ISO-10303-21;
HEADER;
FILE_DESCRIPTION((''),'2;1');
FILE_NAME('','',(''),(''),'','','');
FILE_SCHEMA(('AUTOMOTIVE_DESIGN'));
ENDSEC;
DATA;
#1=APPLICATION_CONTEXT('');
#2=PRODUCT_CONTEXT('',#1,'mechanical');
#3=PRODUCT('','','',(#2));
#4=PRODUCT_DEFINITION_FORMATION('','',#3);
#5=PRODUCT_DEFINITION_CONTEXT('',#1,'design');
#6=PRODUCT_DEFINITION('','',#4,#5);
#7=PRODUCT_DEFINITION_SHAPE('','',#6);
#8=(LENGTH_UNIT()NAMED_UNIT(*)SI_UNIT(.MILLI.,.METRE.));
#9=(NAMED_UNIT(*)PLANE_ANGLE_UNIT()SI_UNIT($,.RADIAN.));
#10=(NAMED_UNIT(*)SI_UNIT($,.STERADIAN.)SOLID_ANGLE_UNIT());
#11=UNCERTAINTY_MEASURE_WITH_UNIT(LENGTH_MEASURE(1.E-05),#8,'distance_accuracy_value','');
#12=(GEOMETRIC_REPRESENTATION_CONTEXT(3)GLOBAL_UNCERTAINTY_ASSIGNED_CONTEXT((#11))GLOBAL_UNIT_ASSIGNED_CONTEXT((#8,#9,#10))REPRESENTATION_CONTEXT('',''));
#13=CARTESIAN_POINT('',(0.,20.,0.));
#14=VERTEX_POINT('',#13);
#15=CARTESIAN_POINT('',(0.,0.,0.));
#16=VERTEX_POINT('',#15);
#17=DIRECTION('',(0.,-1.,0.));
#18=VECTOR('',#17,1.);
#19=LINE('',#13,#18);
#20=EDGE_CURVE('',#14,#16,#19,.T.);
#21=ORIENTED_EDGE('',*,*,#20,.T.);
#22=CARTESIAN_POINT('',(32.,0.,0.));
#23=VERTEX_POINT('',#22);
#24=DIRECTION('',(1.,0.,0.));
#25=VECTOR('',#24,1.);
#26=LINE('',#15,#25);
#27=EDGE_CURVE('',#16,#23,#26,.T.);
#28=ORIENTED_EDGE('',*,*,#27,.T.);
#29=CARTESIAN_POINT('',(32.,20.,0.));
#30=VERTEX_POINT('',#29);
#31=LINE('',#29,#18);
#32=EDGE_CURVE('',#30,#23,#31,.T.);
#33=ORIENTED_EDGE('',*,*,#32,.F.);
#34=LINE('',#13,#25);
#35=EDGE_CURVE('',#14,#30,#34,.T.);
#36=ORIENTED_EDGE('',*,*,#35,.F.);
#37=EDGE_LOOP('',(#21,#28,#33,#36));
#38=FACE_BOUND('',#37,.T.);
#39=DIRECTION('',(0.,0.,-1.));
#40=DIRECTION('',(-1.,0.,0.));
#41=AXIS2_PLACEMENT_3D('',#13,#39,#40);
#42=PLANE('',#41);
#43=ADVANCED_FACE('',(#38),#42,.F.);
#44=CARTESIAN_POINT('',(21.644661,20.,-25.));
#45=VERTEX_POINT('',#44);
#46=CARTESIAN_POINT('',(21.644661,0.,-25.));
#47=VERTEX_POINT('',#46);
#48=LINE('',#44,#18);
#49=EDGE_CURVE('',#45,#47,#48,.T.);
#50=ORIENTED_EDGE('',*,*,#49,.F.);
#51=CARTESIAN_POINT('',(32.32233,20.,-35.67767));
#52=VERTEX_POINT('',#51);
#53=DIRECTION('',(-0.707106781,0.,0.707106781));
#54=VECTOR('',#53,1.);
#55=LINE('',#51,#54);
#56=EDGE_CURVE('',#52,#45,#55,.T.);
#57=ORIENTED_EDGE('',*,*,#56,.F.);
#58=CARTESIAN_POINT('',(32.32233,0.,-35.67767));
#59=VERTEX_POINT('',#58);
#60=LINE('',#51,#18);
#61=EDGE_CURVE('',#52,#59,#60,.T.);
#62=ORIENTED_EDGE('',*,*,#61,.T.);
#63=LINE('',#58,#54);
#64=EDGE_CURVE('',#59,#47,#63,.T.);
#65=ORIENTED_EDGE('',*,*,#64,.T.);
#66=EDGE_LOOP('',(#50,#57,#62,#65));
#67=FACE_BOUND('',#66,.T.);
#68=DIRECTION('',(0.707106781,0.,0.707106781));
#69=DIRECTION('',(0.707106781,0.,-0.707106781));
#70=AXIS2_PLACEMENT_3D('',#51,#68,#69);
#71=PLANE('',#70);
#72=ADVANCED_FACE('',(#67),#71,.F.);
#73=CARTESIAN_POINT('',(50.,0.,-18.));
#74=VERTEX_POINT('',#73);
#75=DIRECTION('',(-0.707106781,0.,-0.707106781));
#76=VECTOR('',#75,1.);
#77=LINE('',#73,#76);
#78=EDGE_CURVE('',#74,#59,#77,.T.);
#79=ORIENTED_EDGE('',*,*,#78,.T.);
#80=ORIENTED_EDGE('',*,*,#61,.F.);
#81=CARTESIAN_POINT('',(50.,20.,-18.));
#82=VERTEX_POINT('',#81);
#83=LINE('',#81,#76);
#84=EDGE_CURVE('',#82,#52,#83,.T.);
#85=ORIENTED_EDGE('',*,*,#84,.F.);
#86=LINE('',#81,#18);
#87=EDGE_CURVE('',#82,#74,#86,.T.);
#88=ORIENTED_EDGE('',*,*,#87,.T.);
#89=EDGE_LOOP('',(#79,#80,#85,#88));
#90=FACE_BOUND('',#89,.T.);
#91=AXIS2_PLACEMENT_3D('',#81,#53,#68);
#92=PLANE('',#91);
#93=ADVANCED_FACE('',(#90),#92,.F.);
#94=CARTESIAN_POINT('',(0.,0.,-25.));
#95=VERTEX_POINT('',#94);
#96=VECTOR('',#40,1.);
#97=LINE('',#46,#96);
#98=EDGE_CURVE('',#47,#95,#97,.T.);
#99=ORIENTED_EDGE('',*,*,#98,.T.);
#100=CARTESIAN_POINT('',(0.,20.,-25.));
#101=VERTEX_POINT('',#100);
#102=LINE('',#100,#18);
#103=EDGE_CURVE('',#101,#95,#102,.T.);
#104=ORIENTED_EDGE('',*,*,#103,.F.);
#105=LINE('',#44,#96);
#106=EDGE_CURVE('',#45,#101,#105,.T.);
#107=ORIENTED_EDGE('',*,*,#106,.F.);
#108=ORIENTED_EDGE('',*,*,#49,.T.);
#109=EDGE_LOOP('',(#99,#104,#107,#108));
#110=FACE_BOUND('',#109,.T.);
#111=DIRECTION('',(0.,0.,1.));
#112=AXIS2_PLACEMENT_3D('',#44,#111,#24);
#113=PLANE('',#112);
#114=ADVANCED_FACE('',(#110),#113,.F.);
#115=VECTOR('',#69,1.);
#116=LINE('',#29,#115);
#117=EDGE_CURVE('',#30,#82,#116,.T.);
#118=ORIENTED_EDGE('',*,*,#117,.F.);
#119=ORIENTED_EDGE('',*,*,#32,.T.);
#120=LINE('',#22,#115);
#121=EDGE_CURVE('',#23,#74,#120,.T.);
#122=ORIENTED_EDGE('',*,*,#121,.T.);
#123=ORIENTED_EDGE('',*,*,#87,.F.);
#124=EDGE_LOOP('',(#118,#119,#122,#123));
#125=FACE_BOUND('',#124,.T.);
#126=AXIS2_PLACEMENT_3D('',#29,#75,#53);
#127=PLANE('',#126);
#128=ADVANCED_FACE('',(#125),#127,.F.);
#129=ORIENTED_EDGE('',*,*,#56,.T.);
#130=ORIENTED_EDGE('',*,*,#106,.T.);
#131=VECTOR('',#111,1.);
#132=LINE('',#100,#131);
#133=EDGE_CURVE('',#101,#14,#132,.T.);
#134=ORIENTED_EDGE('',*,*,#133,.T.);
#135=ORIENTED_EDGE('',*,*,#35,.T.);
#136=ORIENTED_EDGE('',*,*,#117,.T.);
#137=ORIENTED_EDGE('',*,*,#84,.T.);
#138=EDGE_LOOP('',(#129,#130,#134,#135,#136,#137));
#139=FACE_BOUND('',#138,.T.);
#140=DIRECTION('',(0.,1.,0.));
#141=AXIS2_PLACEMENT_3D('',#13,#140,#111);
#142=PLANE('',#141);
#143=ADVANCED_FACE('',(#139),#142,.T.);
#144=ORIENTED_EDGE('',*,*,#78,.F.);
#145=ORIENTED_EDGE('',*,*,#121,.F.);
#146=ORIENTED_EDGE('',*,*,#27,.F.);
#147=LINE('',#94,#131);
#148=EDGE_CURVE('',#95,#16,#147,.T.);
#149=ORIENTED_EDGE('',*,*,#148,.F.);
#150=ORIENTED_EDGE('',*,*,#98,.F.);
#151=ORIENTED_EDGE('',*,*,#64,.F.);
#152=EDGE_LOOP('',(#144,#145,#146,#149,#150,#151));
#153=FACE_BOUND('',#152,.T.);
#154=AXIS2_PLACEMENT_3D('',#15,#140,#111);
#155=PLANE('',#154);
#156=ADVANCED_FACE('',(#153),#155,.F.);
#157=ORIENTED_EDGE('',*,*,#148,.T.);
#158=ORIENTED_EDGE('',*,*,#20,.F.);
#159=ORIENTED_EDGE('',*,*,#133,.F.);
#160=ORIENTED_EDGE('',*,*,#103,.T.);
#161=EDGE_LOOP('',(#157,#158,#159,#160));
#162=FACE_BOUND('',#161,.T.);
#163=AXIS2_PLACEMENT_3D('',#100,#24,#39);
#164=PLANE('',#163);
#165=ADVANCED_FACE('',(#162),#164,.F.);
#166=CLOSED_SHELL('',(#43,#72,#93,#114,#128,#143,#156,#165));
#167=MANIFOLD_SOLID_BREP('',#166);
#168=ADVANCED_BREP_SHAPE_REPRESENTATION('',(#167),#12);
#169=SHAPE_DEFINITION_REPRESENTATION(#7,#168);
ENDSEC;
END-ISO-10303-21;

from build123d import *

# Parameters (mm, degrees)
BOSS_EXTRUDE1_DEPTH = 20


with BuildPart() as part:
    # Sketch1 → Boss-Extrude1 (new body)
    with BuildSketch(Plane(origin=(0, 0, 0), x_dir=(1, 0, 0), z_dir=(0, 1, 0))):
        Polygon((0, 0), (32, 0), (50, 18), (32.32233047, 35.67766953), (21.644660941, 25), (0, 25), align=None)
    extrude(amount=BOSS_EXTRUDE1_DEPTH)


solid = part.part
